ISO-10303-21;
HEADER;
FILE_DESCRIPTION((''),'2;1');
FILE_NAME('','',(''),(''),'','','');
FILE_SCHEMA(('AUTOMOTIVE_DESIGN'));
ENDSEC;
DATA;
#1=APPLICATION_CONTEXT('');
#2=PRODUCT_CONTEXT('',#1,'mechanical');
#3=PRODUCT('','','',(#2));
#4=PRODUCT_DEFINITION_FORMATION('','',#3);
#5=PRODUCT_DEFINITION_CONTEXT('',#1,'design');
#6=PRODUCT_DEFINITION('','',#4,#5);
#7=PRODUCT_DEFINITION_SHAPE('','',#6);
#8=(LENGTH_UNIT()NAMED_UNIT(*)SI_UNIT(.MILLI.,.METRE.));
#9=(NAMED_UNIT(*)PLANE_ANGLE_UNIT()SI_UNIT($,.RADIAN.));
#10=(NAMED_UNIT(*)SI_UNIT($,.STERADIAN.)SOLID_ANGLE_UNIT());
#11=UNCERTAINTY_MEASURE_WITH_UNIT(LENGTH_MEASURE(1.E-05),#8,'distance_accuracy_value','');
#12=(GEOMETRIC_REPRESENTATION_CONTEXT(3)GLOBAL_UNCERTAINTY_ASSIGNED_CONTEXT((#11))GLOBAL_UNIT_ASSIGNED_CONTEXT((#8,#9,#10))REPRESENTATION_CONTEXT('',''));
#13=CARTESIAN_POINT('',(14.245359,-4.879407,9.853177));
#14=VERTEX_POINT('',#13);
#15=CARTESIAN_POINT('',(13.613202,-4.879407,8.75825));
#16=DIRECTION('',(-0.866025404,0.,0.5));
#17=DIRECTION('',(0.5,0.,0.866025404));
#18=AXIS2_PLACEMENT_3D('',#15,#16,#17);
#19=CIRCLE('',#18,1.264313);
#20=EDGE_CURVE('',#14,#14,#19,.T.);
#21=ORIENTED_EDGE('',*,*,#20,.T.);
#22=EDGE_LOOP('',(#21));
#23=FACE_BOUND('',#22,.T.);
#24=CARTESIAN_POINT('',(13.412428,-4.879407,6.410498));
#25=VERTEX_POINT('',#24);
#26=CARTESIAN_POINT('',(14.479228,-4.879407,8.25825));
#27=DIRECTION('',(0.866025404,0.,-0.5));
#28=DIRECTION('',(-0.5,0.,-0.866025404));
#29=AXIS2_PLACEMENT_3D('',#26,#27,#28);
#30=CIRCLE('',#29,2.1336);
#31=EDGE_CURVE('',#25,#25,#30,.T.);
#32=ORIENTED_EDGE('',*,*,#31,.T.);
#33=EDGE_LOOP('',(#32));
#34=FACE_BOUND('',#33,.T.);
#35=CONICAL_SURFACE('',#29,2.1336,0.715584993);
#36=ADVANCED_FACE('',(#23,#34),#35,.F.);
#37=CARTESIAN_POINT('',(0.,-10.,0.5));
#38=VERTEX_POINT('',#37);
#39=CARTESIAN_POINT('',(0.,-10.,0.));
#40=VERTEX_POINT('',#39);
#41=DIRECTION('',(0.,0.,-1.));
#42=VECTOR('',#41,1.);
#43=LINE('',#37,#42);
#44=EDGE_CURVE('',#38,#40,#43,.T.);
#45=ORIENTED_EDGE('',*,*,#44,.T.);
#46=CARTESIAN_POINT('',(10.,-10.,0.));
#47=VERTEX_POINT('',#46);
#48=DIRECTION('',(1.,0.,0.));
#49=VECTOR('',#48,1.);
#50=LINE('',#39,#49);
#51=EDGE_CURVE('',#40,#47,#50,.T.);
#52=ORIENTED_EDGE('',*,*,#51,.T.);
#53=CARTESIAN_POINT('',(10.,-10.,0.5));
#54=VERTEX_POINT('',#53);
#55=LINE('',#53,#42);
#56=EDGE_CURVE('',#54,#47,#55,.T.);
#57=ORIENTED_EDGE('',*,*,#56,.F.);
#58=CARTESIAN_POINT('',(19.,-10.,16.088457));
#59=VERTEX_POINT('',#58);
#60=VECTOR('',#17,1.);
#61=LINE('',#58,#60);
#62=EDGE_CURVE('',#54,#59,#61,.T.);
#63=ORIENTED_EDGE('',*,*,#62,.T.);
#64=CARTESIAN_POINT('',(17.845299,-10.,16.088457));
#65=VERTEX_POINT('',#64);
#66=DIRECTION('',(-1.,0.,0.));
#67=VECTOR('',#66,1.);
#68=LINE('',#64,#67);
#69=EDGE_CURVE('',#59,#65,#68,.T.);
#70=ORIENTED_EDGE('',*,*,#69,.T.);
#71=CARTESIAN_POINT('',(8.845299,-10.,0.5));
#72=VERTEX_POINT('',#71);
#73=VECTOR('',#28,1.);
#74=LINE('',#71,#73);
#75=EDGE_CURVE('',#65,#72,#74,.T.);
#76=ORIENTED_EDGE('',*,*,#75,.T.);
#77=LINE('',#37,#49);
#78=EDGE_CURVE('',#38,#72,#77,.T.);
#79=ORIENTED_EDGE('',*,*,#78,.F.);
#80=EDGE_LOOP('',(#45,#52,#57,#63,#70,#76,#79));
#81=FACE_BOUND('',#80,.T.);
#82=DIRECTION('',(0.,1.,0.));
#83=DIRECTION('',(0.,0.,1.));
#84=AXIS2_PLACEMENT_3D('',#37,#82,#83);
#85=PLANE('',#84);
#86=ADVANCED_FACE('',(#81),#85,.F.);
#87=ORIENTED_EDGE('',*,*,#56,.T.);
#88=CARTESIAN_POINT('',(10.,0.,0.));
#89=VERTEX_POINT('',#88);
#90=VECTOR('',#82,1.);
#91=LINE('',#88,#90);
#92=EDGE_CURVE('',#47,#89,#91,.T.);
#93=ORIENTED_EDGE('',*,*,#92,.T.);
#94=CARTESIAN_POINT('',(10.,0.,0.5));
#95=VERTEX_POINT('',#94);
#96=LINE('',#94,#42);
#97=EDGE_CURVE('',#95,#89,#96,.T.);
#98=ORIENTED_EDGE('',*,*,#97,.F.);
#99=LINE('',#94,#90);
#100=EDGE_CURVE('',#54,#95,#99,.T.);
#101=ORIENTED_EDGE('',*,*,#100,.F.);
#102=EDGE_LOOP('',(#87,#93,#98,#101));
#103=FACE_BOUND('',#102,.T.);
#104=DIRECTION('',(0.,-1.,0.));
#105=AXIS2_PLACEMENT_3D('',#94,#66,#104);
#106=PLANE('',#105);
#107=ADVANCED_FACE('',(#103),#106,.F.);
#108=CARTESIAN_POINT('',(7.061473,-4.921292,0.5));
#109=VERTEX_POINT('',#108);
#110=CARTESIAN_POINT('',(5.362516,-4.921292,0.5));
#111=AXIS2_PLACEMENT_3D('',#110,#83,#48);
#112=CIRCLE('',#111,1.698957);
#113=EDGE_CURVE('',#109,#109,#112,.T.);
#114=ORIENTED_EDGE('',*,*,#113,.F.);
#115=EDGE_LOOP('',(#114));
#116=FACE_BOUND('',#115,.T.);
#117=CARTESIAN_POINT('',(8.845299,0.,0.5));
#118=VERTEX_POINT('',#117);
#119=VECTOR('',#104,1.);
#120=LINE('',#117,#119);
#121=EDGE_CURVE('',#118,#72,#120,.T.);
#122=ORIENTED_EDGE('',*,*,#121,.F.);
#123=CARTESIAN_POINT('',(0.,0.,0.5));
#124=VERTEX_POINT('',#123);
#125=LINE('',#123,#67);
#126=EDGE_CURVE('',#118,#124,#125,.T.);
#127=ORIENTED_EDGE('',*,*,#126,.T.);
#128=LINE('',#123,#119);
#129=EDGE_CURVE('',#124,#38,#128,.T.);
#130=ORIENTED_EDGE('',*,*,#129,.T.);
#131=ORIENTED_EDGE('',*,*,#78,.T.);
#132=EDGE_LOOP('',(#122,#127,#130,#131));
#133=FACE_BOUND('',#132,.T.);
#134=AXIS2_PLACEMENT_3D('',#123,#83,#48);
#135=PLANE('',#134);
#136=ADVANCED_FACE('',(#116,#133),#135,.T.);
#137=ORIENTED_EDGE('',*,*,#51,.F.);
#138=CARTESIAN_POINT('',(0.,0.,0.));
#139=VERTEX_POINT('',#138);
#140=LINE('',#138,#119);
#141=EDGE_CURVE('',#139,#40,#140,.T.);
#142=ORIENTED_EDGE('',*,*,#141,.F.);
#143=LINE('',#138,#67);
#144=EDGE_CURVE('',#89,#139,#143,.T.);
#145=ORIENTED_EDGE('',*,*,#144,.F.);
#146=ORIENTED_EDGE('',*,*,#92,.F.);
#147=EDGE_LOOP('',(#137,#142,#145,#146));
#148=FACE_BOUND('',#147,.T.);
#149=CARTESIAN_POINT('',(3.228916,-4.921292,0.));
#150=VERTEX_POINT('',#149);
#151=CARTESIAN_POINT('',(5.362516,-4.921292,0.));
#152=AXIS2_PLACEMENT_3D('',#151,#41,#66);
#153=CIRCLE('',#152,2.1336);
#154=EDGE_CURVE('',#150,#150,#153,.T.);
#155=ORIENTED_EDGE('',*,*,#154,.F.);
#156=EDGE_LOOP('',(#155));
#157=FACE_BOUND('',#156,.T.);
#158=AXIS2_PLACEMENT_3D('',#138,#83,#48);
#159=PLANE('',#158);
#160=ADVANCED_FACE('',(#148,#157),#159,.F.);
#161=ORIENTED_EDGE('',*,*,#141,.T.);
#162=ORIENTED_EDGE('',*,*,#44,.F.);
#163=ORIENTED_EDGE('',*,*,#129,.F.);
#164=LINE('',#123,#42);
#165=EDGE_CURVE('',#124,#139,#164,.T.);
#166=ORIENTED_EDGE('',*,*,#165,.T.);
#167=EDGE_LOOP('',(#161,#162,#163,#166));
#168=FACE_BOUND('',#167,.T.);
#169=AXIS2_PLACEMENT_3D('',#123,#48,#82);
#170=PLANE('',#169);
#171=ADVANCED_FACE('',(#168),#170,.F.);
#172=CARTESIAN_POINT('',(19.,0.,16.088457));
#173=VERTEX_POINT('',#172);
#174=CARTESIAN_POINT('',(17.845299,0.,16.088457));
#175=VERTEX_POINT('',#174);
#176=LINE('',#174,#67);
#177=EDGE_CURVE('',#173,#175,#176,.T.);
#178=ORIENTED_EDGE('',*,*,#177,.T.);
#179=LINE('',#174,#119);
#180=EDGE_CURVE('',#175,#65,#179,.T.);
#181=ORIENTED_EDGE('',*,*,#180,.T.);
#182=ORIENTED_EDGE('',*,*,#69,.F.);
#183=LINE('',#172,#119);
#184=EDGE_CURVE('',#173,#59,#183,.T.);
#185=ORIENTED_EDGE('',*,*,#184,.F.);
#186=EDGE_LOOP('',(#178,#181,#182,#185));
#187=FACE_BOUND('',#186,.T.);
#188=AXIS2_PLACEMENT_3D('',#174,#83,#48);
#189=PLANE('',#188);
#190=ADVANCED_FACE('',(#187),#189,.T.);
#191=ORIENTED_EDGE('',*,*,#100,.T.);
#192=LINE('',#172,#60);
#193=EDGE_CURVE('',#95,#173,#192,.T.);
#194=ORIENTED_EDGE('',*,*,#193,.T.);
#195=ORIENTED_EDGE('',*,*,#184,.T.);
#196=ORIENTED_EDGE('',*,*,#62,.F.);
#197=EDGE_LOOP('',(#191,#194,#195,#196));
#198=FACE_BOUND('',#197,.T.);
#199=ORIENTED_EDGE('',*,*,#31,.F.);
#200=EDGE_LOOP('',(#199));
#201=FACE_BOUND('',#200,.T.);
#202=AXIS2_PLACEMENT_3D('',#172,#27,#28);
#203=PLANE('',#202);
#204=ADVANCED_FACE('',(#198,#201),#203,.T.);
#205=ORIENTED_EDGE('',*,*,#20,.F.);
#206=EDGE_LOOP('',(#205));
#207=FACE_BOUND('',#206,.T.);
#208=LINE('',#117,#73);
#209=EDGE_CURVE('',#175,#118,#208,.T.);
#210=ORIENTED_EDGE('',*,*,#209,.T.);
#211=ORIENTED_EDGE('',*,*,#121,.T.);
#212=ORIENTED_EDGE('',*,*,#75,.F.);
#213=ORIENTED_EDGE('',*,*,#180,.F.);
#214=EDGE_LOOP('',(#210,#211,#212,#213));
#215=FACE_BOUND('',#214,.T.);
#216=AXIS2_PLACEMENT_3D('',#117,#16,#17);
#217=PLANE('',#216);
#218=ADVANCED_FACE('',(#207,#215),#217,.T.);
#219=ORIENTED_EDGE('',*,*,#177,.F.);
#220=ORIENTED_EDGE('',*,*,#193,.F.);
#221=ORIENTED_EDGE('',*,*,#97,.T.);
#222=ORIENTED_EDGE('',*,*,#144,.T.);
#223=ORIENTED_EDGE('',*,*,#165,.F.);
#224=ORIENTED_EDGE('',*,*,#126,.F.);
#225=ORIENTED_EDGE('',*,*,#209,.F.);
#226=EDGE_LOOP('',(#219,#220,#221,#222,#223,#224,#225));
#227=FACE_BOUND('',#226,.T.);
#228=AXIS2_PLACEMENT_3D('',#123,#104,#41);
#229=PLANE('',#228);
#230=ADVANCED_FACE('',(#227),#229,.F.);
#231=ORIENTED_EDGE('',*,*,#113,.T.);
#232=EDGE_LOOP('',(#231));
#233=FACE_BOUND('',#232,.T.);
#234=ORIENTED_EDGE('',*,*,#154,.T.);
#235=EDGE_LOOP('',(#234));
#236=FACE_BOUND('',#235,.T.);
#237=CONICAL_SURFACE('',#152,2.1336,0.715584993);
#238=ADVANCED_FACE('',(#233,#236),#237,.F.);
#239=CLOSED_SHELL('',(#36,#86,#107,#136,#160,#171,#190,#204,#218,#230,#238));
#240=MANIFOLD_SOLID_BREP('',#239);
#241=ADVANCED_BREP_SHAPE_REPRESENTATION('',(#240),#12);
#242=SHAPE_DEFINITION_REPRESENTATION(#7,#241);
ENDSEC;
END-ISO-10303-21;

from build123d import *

# Parameters (mm, degrees)
SKETCH2_W                                         = 10
SKETCH2_H                                         = 10
BOSS_EXTRUDE1_DEPTH                               = 0.5
BOSS_EXTRUDE2_DEPTH                               = 10
CSK_FOR_1_FLAT_HEAD_SOCKET_CAP_SCREW1_D           = 2.0574
CSK_FOR_1_FLAT_HEAD_SOCKET_CAP_SCREW1_CSINK_D     = 4.2672
CSK_FOR_1_FLAT_HEAD_SOCKET_CAP_SCREW1_CSINK_ANGLE = 82
CSK_FOR_1_FLAT_HEAD_SOCKET_CAP_SCREW2_D           = 2.0574
CSK_FOR_1_FLAT_HEAD_SOCKET_CAP_SCREW2_CSINK_D     = 4.2672
CSK_FOR_1_FLAT_HEAD_SOCKET_CAP_SCREW2_CSINK_ANGLE = 82


with BuildPart() as part:
    # Sketch2 → Boss-Extrude1 (new body)
    with BuildSketch(Plane.XY):
        with Locations((5, -5)):
            Rectangle(SKETCH2_W, SKETCH2_H)
    extrude(amount=BOSS_EXTRUDE1_DEPTH)

    # Sketch3 → Boss-Extrude2 (add)
    with BuildSketch(Plane.XZ.offset(10)):
        Polygon((8.845299462, 0.5), (17.845299462, 16.088457268), (19, 16.088457268), (10, 0.5), align=None)
    extrude(amount=-BOSS_EXTRUDE2_DEPTH)

    # CSK for #1 Flat Head Socket Cap Screw1 (through all)
    with Locations(Plane(origin=(0, 0, 0), x_dir=(-1, 0, 0), z_dir=(0, 0, -1))):
        with Locations((-5.362516401, -4.921292394)):
            CounterSinkHole(CSK_FOR_1_FLAT_HEAD_SOCKET_CAP_SCREW1_D / 2, CSK_FOR_1_FLAT_HEAD_SOCKET_CAP_SCREW1_CSINK_D / 2, counter_sink_angle=CSK_FOR_1_FLAT_HEAD_SOCKET_CAP_SCREW1_CSINK_ANGLE)

    # CSK for #1 Flat Head Socket Cap Screw2 (through all)
    with Locations(Plane(origin=(7.283493649, 0, -4.205127019), x_dir=(-0.5, 0, -0.866025404), z_dir=(0.866025404, 0, -0.5))):
        with Locations((-14.39146791, -4.879407471)):
            CounterSinkHole(CSK_FOR_1_FLAT_HEAD_SOCKET_CAP_SCREW2_D / 2, CSK_FOR_1_FLAT_HEAD_SOCKET_CAP_SCREW2_CSINK_D / 2, counter_sink_angle=CSK_FOR_1_FLAT_HEAD_SOCKET_CAP_SCREW2_CSINK_ANGLE)


solid = part.part
